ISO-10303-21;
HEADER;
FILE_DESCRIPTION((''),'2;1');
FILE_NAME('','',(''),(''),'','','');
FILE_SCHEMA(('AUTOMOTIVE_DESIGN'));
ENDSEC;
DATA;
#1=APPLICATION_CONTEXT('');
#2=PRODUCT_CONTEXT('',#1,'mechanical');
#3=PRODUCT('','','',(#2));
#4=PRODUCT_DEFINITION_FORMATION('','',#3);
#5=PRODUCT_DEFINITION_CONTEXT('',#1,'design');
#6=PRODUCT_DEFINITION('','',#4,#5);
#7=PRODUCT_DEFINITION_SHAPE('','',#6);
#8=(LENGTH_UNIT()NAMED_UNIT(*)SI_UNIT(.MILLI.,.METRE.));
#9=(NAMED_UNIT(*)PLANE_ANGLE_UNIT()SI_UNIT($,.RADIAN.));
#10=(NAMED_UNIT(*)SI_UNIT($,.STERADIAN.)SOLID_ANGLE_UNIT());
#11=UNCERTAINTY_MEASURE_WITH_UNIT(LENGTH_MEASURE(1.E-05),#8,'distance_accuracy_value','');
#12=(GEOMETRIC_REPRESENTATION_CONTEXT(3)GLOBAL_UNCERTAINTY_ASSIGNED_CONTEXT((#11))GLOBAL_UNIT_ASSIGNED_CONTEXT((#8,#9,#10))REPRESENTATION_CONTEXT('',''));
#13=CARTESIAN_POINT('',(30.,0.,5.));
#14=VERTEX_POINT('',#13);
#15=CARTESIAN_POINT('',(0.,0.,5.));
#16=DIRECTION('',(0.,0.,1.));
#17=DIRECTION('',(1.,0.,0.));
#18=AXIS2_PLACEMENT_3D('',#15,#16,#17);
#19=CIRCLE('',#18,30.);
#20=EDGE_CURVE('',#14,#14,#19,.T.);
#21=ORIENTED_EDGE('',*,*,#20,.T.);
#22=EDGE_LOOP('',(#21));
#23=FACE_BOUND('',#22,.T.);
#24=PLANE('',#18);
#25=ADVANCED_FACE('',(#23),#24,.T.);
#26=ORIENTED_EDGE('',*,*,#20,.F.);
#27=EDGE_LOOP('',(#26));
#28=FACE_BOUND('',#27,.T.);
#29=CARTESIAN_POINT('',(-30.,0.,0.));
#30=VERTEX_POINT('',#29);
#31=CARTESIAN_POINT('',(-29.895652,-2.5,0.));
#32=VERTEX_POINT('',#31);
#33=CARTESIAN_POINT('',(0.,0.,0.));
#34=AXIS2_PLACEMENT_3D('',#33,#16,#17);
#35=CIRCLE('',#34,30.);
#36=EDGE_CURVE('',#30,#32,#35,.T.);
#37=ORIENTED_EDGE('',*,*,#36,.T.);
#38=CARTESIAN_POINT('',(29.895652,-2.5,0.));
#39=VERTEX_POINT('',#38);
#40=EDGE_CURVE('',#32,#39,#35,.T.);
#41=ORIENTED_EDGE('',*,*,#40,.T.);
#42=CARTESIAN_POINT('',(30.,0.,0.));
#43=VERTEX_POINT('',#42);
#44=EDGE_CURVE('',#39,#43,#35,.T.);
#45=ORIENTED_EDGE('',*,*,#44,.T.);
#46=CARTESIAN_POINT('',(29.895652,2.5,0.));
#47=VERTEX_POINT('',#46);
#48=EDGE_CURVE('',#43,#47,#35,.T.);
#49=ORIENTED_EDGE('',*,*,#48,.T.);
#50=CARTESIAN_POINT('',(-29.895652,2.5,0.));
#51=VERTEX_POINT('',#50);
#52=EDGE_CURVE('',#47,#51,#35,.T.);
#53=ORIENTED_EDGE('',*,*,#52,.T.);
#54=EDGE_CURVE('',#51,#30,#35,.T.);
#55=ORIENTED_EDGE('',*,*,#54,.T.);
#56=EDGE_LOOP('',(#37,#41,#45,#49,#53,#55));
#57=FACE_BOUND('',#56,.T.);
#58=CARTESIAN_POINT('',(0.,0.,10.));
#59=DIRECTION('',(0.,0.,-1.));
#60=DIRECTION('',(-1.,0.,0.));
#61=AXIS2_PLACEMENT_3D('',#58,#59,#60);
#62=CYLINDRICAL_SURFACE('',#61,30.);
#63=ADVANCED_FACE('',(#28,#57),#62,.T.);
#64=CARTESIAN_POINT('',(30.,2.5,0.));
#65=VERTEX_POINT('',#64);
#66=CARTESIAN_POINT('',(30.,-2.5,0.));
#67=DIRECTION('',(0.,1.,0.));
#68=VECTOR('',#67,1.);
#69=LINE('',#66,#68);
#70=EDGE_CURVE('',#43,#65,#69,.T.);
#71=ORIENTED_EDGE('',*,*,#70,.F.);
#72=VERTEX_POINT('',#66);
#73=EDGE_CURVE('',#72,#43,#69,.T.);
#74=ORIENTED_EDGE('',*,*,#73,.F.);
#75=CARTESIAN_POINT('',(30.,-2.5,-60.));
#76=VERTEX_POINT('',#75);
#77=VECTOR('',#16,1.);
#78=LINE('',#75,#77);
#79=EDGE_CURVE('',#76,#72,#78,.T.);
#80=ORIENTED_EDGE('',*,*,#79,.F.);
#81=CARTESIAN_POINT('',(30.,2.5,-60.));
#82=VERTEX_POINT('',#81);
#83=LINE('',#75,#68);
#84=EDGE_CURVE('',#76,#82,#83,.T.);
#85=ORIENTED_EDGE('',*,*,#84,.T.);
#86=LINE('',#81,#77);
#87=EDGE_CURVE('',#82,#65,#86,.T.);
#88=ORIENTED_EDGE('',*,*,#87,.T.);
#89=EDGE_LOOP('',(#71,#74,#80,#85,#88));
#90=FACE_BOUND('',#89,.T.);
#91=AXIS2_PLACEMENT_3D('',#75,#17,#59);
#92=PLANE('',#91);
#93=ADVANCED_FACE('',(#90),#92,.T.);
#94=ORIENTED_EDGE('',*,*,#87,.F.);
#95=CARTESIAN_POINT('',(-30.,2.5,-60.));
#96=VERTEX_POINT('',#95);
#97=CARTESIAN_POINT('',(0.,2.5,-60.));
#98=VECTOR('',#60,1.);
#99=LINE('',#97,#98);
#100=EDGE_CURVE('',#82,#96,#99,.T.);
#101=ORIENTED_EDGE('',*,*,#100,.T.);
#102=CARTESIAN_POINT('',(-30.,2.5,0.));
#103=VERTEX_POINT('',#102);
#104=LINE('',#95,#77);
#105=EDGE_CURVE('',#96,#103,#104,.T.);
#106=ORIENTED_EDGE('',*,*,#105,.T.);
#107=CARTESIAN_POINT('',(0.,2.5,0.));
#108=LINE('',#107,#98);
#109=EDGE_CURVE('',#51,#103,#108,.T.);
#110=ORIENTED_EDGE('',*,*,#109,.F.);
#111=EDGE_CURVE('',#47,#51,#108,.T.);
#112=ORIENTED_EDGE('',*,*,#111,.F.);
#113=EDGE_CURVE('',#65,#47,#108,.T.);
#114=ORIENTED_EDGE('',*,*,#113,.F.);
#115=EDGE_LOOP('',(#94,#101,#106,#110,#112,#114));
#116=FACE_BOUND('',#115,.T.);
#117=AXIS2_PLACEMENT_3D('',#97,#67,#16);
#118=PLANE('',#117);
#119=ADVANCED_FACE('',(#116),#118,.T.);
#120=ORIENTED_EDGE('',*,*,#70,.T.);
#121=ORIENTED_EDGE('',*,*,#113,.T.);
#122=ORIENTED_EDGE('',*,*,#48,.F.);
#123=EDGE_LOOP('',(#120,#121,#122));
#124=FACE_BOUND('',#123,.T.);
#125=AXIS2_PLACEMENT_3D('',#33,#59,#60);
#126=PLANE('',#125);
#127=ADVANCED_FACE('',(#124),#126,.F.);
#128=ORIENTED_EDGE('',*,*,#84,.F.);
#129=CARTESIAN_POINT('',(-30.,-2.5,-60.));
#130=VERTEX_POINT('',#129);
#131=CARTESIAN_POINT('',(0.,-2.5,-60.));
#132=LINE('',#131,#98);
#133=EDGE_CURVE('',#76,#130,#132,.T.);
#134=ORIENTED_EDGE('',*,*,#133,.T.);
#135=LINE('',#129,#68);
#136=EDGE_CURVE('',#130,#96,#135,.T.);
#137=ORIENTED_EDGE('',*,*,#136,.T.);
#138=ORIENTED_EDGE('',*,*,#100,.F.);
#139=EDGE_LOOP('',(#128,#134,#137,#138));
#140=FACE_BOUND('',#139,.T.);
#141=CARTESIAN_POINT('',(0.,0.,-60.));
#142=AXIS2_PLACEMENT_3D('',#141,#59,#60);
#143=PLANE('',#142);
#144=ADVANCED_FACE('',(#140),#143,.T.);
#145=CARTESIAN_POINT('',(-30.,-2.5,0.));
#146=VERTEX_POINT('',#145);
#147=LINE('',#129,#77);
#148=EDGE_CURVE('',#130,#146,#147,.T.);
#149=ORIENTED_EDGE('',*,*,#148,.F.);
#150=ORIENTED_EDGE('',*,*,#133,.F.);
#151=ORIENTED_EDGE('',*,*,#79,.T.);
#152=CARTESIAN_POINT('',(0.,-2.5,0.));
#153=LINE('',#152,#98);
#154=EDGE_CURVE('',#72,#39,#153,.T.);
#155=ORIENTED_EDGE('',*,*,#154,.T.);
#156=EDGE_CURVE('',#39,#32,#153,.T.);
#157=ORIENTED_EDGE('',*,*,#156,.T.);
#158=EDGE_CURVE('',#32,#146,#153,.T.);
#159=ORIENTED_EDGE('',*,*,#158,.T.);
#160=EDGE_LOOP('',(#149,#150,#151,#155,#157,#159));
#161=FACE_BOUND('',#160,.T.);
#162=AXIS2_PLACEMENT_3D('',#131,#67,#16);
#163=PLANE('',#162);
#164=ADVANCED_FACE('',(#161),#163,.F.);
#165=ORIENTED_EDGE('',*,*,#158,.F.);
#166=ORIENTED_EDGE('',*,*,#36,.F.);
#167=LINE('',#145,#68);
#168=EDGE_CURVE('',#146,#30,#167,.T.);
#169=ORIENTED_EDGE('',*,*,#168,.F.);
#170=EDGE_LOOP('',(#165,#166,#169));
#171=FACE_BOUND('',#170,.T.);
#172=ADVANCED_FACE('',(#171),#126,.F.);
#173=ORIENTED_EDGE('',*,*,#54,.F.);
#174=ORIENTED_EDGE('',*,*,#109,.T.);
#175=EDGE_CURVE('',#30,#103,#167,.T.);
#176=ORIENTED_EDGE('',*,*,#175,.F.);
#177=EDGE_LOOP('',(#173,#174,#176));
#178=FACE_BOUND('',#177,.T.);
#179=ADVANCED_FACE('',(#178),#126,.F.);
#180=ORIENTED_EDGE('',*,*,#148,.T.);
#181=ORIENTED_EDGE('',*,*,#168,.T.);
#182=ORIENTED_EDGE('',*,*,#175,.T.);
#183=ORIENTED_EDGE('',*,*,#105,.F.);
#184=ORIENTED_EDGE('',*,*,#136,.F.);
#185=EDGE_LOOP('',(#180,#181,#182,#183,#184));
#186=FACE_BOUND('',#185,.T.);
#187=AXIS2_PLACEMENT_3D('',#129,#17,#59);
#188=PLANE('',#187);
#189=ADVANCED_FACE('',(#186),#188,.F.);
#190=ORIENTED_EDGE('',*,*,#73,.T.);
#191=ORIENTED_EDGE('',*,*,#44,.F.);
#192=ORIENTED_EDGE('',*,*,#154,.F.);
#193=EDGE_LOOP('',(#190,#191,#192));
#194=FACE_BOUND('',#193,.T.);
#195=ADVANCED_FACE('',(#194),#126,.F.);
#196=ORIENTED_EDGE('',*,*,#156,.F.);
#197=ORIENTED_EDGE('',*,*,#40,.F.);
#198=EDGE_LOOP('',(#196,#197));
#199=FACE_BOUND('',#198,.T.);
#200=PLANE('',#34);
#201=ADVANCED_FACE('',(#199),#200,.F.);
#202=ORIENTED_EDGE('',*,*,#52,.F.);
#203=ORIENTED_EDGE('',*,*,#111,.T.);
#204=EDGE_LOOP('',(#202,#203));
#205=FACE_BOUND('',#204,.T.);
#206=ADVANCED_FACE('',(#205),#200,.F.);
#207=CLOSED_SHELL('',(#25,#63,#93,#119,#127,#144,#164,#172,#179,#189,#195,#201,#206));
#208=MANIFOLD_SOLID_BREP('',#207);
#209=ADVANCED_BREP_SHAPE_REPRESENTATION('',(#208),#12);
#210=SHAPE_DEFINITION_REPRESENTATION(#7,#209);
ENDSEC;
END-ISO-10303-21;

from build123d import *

# Parameters (mm, degrees)
SKETCH_1_R          = 30
SKETCH_1_R_2        = 13.5
SKETCH_1_R_3        = 1.880556804
EXTRUDE_1_DEPTH     = 10
SKETCH_2_W          = 60
SKETCH_2_H          = 5
EXTRUDE_2_DEPTH     = 60
CUT_EXTRUDE_START   = -5
SKETCH_7_R          = 30
CUT_EXTRUDE_4_DEPTH = 5


with BuildPart() as part:
    # 草图1 → 凸台-拉伸1 (new body)
    # profile 1 of 5: a face of its own
    with BuildSketch(Plane.XY):
        Circle(SKETCH_1_R)
        Circle(SKETCH_1_R_2, mode=Mode.SUBTRACT)
    # profile 2 of 5: a face of its own
    with BuildSketch(Plane.XY):
        Circle(SKETCH_1_R_2)
    # profile 3 of 5: a face of its own
    with BuildSketch(Plane.XY):
        with Locations((0, 13.5)):
            Circle(SKETCH_1_R_3)
    # profile 4 of 5: a face of its own
    with BuildSketch(Plane.XY):
        with Locations((-11.691342951, -6.75)):
            Circle(SKETCH_1_R_3)
    # profile 5 of 5: a face of its own
    with BuildSketch(Plane.XY):
        with Locations((11.691342951, -6.75)):
            Circle(SKETCH_1_R_3)
    extrude(amount=EXTRUDE_1_DEPTH)

    # 草图2 → 凸台-拉伸2 (add)
    with BuildSketch(Plane(origin=(0, 0, 0), x_dir=(-1, 0, 0), z_dir=(0, 0, -1))):
        Rectangle(SKETCH_2_W, SKETCH_2_H)
    extrude(amount=EXTRUDE_2_DEPTH)

    # 草图7 → 切除-拉伸4 (cut)
    with BuildSketch(Plane.XY.offset(10).offset(CUT_EXTRUDE_START)):
        Circle(SKETCH_7_R)
    extrude(amount=CUT_EXTRUDE_4_DEPTH, mode=Mode.SUBTRACT)


solid = part.part
